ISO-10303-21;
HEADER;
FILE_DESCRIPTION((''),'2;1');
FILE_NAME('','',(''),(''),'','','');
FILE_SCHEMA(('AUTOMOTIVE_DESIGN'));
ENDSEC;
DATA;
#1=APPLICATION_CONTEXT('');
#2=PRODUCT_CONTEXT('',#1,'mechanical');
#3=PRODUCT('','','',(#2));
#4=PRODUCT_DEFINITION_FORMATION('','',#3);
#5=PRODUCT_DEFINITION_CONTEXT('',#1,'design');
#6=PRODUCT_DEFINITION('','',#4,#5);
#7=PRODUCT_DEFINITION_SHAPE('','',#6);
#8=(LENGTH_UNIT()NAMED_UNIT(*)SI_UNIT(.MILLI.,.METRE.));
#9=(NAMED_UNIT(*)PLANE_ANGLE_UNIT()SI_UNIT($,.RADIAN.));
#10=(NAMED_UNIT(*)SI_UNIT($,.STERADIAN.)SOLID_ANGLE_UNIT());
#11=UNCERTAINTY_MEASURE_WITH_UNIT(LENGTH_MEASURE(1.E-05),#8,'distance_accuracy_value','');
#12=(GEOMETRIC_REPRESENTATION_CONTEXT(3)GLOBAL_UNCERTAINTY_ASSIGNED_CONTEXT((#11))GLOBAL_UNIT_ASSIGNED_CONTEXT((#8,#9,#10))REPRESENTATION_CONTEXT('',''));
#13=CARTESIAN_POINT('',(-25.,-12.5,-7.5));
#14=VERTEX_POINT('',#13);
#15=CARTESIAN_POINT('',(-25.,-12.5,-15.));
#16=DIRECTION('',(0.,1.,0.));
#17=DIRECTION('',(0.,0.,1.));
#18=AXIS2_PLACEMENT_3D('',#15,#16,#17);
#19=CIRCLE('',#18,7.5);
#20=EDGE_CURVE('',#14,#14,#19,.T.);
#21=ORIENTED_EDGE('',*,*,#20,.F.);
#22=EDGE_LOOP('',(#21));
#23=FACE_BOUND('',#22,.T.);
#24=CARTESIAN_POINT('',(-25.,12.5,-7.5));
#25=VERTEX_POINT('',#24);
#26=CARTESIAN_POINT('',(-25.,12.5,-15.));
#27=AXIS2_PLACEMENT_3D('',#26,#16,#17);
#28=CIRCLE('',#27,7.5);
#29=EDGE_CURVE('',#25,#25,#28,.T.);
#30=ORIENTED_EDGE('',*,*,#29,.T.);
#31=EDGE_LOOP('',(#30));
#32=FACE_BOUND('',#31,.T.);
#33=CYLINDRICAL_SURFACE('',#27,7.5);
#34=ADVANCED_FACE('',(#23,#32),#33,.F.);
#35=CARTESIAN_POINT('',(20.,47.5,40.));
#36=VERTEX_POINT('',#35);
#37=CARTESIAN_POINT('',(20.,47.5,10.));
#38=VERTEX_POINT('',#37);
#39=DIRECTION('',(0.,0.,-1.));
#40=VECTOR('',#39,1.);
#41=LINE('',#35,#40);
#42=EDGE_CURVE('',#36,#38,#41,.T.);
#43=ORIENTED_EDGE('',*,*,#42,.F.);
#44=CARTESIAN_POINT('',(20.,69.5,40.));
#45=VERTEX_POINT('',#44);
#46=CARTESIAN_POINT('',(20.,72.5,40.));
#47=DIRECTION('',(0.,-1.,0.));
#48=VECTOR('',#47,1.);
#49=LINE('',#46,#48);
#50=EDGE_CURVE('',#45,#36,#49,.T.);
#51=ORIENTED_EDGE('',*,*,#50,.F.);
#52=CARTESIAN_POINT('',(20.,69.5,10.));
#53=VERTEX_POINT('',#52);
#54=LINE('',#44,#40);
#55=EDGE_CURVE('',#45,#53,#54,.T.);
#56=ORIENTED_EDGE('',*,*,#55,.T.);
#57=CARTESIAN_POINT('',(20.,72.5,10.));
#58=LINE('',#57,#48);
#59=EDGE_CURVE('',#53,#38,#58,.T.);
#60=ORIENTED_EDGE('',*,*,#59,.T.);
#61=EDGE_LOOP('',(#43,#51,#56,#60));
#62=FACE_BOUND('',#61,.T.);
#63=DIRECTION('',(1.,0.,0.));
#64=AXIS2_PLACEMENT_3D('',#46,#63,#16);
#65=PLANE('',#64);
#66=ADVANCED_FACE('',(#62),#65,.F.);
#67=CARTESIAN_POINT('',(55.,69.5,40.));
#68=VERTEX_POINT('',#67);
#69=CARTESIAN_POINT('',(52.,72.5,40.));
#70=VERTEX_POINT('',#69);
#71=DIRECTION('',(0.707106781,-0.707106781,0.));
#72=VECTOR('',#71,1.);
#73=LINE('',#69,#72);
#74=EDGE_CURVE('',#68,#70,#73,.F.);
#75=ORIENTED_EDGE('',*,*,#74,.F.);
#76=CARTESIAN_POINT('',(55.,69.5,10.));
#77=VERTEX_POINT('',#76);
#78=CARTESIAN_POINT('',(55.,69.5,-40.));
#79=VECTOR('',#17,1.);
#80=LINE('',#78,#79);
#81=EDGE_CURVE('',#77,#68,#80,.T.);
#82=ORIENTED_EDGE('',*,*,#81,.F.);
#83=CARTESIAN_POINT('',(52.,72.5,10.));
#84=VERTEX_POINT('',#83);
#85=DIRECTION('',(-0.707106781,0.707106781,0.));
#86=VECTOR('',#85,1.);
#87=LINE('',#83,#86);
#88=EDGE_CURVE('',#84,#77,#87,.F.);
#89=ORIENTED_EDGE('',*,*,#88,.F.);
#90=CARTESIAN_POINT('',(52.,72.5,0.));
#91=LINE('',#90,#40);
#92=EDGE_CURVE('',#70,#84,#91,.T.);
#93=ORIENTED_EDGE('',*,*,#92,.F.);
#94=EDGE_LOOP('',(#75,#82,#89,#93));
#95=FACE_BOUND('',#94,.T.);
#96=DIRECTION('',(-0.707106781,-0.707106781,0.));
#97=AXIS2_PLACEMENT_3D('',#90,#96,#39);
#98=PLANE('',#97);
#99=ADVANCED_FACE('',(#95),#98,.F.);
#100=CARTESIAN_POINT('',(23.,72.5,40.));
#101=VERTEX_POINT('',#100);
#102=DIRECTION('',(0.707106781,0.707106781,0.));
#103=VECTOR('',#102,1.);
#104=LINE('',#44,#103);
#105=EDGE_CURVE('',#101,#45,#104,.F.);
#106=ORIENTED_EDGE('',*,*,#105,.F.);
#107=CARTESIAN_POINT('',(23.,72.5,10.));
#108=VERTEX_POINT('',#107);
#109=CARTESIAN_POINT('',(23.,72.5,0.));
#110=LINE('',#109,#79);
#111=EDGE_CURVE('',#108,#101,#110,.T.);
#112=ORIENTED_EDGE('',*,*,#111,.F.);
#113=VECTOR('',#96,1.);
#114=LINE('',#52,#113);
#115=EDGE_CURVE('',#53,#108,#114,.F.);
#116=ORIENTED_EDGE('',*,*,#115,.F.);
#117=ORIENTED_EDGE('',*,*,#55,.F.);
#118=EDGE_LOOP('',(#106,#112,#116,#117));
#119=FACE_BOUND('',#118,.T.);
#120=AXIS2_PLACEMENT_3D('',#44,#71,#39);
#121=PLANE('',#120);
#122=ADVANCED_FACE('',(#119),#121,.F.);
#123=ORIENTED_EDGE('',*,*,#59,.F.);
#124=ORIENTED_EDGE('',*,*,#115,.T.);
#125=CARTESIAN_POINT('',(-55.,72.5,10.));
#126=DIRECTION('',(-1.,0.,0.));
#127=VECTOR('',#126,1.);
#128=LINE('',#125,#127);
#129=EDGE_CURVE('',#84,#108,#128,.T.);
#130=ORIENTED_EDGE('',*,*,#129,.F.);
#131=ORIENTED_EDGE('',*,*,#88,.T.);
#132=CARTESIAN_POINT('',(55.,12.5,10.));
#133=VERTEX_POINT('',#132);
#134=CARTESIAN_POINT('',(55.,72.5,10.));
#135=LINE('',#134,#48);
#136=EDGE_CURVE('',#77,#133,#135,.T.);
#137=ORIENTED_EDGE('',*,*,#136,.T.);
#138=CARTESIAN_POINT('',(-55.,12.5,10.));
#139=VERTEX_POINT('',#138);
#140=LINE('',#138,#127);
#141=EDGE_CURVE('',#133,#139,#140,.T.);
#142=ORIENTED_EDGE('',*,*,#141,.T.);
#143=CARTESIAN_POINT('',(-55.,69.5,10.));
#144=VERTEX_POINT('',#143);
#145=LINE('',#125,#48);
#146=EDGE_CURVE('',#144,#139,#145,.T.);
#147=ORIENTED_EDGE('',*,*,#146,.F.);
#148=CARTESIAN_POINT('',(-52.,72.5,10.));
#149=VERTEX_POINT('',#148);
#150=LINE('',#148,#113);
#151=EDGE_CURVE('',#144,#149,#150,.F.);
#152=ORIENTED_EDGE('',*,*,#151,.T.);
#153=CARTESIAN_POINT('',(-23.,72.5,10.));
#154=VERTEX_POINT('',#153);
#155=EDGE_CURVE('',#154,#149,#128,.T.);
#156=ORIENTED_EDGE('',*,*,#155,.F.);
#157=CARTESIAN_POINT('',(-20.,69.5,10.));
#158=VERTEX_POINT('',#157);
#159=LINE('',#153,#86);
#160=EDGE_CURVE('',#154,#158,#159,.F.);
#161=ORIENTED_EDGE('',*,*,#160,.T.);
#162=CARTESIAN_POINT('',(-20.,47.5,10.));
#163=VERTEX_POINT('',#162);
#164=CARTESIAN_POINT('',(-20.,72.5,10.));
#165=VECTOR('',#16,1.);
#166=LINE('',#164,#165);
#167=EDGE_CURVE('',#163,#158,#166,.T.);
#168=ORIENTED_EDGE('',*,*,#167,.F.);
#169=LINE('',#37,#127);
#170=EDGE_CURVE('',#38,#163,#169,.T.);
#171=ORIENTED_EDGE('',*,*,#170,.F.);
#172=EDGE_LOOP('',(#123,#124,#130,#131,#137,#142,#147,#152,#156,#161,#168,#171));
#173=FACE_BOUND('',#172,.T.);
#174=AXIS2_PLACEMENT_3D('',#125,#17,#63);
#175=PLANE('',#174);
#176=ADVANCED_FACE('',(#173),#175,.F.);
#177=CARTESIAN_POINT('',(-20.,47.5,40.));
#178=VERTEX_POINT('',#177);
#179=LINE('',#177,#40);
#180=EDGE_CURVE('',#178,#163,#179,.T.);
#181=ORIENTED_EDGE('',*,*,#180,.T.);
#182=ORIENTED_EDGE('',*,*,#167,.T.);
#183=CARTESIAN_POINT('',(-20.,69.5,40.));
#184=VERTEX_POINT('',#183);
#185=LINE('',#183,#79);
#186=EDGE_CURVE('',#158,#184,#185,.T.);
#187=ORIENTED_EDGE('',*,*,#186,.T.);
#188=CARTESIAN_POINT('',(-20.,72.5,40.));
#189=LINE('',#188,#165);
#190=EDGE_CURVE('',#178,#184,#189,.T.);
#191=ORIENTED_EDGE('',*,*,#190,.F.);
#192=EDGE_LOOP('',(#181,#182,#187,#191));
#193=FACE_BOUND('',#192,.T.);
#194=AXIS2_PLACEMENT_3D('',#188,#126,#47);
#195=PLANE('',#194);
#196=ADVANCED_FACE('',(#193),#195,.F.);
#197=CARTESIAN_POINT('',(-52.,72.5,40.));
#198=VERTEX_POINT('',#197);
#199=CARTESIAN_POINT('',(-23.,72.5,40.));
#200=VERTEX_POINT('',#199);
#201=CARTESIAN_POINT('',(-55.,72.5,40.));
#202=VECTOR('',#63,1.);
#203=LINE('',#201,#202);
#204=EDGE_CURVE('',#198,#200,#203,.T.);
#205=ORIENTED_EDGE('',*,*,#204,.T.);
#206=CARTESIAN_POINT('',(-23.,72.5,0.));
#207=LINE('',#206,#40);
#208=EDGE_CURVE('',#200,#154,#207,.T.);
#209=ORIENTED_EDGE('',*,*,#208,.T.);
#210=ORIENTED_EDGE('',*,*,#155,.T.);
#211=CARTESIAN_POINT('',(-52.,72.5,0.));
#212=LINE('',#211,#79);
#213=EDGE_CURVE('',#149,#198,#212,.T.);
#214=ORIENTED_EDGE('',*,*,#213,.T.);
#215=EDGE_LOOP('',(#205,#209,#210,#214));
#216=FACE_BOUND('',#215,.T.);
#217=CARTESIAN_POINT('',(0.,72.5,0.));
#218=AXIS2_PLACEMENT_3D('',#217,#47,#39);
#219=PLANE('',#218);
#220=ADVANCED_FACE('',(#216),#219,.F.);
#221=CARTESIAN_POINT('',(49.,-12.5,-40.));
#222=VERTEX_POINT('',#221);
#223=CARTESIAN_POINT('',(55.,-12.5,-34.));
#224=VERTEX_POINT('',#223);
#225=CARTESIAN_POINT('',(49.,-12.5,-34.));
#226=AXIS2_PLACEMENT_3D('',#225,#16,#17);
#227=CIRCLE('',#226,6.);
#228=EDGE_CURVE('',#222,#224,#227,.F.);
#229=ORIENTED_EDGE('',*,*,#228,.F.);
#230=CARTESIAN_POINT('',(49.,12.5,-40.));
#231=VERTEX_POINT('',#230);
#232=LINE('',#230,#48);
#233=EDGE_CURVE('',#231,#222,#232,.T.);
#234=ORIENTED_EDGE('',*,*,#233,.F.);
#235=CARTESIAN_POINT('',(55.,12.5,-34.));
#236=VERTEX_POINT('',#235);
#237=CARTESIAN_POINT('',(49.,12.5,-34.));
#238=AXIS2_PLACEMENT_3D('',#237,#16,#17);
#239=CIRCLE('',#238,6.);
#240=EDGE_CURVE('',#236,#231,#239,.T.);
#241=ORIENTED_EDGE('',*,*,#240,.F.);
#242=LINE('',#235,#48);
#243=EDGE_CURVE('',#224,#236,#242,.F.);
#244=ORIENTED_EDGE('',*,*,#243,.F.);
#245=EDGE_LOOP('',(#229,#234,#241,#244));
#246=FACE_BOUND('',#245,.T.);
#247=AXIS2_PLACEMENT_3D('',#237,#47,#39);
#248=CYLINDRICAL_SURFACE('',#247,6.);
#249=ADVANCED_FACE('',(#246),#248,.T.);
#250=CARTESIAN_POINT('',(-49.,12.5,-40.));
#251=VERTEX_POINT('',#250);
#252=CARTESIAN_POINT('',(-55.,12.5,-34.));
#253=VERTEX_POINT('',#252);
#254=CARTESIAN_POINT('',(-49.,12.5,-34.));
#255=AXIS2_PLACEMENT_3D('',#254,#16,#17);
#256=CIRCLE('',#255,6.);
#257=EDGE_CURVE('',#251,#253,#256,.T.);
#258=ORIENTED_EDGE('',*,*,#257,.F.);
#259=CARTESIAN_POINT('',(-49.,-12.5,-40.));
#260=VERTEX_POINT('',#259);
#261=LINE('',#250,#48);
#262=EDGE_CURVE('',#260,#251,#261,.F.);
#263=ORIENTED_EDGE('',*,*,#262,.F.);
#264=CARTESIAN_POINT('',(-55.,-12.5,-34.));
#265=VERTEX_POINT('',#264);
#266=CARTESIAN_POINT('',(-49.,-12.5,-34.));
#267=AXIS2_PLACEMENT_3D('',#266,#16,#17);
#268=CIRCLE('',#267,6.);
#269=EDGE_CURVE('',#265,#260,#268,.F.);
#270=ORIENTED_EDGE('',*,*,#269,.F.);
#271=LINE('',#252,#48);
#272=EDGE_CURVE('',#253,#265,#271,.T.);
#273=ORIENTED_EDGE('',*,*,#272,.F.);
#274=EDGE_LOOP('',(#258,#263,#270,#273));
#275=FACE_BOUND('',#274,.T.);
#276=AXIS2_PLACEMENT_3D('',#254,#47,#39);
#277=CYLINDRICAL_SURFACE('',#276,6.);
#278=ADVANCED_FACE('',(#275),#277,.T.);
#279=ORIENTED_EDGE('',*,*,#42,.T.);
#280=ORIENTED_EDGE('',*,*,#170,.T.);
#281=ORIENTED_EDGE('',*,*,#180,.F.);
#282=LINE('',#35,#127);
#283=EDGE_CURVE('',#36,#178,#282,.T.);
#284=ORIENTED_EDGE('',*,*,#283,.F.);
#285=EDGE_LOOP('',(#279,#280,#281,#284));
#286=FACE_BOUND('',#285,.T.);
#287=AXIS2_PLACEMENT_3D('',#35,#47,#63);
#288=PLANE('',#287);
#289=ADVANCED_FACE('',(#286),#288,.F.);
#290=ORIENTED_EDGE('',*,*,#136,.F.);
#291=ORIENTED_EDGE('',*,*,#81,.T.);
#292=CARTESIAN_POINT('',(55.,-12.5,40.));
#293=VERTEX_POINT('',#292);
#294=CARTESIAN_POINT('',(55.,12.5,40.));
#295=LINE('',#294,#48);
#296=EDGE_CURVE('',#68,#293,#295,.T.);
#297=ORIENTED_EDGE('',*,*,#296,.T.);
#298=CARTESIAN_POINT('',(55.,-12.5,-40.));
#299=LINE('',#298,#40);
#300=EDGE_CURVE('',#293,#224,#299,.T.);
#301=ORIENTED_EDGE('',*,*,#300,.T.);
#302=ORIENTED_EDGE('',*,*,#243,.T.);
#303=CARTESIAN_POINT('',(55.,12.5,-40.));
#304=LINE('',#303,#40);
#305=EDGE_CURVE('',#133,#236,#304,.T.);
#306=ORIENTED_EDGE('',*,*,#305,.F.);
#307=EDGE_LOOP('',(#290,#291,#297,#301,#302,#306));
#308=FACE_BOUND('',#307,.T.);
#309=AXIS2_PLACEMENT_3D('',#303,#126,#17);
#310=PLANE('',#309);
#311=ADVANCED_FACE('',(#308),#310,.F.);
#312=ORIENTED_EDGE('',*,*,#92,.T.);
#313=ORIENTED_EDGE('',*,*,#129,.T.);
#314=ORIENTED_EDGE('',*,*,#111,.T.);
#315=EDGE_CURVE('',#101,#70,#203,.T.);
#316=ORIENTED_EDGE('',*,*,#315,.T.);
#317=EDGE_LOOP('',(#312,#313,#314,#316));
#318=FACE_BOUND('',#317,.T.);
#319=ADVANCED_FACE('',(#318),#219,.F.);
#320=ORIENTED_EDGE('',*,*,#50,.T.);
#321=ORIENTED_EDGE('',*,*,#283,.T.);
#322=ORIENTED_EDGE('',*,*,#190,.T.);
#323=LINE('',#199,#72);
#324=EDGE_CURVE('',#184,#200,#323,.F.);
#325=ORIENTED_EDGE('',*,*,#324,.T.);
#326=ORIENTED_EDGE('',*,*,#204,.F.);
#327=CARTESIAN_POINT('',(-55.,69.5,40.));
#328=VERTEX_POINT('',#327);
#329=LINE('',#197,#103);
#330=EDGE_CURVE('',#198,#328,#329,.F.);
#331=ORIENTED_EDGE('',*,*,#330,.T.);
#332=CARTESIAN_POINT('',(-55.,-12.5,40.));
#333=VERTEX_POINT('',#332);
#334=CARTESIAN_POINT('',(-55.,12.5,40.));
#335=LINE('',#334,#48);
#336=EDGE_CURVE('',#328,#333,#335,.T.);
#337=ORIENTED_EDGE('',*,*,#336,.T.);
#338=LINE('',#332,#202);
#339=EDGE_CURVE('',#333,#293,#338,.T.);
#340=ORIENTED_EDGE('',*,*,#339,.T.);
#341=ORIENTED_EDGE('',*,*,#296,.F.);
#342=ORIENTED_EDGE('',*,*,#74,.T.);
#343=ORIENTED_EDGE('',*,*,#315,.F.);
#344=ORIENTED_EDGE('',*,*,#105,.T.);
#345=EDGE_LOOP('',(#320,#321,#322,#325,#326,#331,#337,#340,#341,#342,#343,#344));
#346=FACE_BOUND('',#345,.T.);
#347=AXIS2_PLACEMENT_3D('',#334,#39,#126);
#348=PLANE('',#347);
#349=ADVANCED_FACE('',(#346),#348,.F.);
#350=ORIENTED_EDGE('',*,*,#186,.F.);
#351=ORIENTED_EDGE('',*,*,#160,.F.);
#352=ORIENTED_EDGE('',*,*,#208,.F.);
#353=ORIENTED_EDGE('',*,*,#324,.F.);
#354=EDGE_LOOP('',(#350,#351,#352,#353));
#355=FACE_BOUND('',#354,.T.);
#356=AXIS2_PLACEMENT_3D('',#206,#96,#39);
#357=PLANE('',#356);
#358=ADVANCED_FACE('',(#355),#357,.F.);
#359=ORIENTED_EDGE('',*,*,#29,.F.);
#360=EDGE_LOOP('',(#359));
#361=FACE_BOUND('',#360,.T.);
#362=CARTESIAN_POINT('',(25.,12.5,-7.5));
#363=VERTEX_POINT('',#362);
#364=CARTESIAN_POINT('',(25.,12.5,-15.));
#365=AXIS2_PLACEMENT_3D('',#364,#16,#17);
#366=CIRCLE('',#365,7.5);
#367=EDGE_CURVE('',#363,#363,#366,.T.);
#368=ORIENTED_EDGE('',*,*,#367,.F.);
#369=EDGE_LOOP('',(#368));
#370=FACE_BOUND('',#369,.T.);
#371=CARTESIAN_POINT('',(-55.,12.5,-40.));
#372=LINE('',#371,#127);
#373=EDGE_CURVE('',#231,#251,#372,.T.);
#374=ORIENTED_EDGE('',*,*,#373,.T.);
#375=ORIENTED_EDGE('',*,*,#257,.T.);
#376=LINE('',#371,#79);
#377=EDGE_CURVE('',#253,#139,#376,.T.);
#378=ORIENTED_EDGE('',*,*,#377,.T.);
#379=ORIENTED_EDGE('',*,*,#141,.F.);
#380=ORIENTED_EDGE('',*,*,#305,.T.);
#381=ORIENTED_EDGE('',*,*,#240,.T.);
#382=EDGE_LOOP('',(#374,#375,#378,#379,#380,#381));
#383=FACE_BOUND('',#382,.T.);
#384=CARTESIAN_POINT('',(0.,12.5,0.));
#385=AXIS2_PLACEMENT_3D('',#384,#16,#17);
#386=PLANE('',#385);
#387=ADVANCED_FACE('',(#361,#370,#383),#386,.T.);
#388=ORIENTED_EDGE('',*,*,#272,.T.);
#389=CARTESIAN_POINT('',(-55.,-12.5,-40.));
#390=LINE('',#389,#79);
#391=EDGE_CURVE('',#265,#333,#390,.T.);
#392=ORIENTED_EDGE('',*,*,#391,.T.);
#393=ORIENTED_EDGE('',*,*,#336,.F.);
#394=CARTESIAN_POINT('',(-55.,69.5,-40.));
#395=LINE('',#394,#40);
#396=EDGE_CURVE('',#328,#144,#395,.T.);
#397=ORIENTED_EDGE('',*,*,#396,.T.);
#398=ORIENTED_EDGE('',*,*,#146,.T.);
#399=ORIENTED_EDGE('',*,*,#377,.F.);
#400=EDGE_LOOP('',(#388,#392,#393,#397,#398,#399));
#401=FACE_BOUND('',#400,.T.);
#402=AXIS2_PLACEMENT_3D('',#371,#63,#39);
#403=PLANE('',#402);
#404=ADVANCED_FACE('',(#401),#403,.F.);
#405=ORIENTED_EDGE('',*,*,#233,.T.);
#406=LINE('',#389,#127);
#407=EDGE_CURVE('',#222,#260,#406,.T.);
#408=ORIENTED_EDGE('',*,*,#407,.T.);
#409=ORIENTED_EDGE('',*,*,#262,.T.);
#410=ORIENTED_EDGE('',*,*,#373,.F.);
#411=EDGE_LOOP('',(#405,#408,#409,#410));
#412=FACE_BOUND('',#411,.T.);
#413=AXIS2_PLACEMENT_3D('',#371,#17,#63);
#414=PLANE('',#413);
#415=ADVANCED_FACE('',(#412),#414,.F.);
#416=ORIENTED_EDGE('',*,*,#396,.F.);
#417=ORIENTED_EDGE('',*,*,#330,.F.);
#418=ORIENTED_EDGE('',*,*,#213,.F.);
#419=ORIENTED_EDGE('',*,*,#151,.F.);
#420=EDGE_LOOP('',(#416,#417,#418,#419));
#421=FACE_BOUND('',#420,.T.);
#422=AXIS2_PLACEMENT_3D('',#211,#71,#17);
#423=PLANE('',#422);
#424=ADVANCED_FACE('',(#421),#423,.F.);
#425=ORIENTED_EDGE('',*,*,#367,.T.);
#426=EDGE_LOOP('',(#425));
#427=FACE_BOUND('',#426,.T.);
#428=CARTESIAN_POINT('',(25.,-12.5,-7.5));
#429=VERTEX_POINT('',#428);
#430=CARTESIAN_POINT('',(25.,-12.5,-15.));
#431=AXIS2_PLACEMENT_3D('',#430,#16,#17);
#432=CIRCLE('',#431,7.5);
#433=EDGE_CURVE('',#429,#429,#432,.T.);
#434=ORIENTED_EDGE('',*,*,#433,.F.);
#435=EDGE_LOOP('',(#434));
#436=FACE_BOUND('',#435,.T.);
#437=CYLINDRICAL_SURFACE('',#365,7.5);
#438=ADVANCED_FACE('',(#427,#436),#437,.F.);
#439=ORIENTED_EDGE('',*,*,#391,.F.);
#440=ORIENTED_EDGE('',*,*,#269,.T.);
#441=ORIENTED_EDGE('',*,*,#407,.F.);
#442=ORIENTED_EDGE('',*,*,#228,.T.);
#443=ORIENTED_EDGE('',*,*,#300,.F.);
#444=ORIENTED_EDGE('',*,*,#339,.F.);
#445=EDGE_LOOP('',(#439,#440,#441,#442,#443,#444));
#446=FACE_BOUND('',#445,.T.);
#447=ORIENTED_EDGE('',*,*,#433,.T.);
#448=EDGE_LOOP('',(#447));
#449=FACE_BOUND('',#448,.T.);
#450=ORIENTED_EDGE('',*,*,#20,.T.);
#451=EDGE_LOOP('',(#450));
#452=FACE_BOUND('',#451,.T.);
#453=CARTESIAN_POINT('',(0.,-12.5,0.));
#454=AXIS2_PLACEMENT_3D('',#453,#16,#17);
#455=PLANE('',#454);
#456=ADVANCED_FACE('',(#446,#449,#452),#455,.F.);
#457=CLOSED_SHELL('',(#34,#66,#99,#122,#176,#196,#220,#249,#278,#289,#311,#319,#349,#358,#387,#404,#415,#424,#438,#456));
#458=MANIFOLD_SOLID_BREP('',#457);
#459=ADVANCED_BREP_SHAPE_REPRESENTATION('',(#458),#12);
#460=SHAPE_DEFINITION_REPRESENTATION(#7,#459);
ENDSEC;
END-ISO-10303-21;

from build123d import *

# Parameters (mm, degrees)
SKETCH1_W             = 110
SKETCH1_H             = 80
BOSS_EXTRUDE1_DEPTH   = 12.5
SKETCH2_W             = 110
SKETCH2_H             = 30
BOSS_EXTRUDE2_DEPTH   = 60
SKETCH3_W             = 40
SKETCH3_H             = 25
CUT_EXTRUDE1_DEPTH    = 104.832798286
CHAMFER1_SIZE         = 3
FILLET1_R             = 6
F_1_0MM_DOWEL_HOLE1_D = 15


with BuildPart() as part:
    # Sketch1 → Boss-Extrude1 (new, symmetric)
    with BuildSketch(Plane(origin=(0, 0, 0), x_dir=(1, 0, 0), z_dir=(0, 1, 0))):
        Rectangle(SKETCH1_W, SKETCH1_H)
    extrude(amount=BOSS_EXTRUDE1_DEPTH, both=True)

    # Sketch2 → Boss-Extrude2 (add)
    with BuildSketch(Plane(origin=(0, 12.5, 0), x_dir=(1, 0, 0), z_dir=(0, 1, 0))):
        with Locations((0, -25)):
            Rectangle(SKETCH2_W, SKETCH2_H)
    extrude(amount=BOSS_EXTRUDE2_DEPTH)

    # Sketch3 → Cut-Extrude1 (cut, through all)
    with BuildSketch(Plane(origin=(0, 0, 10), x_dir=(-1, 0, 0), z_dir=(0, 0, -1))):
        with Locations((0, 60)):
            Rectangle(SKETCH3_W, SKETCH3_H)
    extrude(amount=-CUT_EXTRUDE1_DEPTH, mode=Mode.SUBTRACT)

    # Chamfer1
    chamfer1_edges = [part.edges().sort_by_distance(p)[0] for p in [
        (-55, 72.5, 25),
        (55, 72.5, 25),
        (20, 72.5, 25),
        (-20, 72.5, 25),
    ]]
    chamfer(chamfer1_edges, length=CHAMFER1_SIZE)

    # Fillet1
    fillet1_edges = [part.edges().sort_by_distance(p)[0] for p in [
        (-55, 0, -40),
        (55, 0, -40),
    ]]
    fillet(fillet1_edges, radius=FILLET1_R)

    # Ø1.0mm Dowel Hole1 (through all)
    with Locations(Plane(origin=(0, 12.5, 0), x_dir=(1, 0, 0), z_dir=(0, 1, 0))):
        with Locations((25, 15), (-25, 15)):
            Hole(F_1_0MM_DOWEL_HOLE1_D / 2)


solid = part.part
